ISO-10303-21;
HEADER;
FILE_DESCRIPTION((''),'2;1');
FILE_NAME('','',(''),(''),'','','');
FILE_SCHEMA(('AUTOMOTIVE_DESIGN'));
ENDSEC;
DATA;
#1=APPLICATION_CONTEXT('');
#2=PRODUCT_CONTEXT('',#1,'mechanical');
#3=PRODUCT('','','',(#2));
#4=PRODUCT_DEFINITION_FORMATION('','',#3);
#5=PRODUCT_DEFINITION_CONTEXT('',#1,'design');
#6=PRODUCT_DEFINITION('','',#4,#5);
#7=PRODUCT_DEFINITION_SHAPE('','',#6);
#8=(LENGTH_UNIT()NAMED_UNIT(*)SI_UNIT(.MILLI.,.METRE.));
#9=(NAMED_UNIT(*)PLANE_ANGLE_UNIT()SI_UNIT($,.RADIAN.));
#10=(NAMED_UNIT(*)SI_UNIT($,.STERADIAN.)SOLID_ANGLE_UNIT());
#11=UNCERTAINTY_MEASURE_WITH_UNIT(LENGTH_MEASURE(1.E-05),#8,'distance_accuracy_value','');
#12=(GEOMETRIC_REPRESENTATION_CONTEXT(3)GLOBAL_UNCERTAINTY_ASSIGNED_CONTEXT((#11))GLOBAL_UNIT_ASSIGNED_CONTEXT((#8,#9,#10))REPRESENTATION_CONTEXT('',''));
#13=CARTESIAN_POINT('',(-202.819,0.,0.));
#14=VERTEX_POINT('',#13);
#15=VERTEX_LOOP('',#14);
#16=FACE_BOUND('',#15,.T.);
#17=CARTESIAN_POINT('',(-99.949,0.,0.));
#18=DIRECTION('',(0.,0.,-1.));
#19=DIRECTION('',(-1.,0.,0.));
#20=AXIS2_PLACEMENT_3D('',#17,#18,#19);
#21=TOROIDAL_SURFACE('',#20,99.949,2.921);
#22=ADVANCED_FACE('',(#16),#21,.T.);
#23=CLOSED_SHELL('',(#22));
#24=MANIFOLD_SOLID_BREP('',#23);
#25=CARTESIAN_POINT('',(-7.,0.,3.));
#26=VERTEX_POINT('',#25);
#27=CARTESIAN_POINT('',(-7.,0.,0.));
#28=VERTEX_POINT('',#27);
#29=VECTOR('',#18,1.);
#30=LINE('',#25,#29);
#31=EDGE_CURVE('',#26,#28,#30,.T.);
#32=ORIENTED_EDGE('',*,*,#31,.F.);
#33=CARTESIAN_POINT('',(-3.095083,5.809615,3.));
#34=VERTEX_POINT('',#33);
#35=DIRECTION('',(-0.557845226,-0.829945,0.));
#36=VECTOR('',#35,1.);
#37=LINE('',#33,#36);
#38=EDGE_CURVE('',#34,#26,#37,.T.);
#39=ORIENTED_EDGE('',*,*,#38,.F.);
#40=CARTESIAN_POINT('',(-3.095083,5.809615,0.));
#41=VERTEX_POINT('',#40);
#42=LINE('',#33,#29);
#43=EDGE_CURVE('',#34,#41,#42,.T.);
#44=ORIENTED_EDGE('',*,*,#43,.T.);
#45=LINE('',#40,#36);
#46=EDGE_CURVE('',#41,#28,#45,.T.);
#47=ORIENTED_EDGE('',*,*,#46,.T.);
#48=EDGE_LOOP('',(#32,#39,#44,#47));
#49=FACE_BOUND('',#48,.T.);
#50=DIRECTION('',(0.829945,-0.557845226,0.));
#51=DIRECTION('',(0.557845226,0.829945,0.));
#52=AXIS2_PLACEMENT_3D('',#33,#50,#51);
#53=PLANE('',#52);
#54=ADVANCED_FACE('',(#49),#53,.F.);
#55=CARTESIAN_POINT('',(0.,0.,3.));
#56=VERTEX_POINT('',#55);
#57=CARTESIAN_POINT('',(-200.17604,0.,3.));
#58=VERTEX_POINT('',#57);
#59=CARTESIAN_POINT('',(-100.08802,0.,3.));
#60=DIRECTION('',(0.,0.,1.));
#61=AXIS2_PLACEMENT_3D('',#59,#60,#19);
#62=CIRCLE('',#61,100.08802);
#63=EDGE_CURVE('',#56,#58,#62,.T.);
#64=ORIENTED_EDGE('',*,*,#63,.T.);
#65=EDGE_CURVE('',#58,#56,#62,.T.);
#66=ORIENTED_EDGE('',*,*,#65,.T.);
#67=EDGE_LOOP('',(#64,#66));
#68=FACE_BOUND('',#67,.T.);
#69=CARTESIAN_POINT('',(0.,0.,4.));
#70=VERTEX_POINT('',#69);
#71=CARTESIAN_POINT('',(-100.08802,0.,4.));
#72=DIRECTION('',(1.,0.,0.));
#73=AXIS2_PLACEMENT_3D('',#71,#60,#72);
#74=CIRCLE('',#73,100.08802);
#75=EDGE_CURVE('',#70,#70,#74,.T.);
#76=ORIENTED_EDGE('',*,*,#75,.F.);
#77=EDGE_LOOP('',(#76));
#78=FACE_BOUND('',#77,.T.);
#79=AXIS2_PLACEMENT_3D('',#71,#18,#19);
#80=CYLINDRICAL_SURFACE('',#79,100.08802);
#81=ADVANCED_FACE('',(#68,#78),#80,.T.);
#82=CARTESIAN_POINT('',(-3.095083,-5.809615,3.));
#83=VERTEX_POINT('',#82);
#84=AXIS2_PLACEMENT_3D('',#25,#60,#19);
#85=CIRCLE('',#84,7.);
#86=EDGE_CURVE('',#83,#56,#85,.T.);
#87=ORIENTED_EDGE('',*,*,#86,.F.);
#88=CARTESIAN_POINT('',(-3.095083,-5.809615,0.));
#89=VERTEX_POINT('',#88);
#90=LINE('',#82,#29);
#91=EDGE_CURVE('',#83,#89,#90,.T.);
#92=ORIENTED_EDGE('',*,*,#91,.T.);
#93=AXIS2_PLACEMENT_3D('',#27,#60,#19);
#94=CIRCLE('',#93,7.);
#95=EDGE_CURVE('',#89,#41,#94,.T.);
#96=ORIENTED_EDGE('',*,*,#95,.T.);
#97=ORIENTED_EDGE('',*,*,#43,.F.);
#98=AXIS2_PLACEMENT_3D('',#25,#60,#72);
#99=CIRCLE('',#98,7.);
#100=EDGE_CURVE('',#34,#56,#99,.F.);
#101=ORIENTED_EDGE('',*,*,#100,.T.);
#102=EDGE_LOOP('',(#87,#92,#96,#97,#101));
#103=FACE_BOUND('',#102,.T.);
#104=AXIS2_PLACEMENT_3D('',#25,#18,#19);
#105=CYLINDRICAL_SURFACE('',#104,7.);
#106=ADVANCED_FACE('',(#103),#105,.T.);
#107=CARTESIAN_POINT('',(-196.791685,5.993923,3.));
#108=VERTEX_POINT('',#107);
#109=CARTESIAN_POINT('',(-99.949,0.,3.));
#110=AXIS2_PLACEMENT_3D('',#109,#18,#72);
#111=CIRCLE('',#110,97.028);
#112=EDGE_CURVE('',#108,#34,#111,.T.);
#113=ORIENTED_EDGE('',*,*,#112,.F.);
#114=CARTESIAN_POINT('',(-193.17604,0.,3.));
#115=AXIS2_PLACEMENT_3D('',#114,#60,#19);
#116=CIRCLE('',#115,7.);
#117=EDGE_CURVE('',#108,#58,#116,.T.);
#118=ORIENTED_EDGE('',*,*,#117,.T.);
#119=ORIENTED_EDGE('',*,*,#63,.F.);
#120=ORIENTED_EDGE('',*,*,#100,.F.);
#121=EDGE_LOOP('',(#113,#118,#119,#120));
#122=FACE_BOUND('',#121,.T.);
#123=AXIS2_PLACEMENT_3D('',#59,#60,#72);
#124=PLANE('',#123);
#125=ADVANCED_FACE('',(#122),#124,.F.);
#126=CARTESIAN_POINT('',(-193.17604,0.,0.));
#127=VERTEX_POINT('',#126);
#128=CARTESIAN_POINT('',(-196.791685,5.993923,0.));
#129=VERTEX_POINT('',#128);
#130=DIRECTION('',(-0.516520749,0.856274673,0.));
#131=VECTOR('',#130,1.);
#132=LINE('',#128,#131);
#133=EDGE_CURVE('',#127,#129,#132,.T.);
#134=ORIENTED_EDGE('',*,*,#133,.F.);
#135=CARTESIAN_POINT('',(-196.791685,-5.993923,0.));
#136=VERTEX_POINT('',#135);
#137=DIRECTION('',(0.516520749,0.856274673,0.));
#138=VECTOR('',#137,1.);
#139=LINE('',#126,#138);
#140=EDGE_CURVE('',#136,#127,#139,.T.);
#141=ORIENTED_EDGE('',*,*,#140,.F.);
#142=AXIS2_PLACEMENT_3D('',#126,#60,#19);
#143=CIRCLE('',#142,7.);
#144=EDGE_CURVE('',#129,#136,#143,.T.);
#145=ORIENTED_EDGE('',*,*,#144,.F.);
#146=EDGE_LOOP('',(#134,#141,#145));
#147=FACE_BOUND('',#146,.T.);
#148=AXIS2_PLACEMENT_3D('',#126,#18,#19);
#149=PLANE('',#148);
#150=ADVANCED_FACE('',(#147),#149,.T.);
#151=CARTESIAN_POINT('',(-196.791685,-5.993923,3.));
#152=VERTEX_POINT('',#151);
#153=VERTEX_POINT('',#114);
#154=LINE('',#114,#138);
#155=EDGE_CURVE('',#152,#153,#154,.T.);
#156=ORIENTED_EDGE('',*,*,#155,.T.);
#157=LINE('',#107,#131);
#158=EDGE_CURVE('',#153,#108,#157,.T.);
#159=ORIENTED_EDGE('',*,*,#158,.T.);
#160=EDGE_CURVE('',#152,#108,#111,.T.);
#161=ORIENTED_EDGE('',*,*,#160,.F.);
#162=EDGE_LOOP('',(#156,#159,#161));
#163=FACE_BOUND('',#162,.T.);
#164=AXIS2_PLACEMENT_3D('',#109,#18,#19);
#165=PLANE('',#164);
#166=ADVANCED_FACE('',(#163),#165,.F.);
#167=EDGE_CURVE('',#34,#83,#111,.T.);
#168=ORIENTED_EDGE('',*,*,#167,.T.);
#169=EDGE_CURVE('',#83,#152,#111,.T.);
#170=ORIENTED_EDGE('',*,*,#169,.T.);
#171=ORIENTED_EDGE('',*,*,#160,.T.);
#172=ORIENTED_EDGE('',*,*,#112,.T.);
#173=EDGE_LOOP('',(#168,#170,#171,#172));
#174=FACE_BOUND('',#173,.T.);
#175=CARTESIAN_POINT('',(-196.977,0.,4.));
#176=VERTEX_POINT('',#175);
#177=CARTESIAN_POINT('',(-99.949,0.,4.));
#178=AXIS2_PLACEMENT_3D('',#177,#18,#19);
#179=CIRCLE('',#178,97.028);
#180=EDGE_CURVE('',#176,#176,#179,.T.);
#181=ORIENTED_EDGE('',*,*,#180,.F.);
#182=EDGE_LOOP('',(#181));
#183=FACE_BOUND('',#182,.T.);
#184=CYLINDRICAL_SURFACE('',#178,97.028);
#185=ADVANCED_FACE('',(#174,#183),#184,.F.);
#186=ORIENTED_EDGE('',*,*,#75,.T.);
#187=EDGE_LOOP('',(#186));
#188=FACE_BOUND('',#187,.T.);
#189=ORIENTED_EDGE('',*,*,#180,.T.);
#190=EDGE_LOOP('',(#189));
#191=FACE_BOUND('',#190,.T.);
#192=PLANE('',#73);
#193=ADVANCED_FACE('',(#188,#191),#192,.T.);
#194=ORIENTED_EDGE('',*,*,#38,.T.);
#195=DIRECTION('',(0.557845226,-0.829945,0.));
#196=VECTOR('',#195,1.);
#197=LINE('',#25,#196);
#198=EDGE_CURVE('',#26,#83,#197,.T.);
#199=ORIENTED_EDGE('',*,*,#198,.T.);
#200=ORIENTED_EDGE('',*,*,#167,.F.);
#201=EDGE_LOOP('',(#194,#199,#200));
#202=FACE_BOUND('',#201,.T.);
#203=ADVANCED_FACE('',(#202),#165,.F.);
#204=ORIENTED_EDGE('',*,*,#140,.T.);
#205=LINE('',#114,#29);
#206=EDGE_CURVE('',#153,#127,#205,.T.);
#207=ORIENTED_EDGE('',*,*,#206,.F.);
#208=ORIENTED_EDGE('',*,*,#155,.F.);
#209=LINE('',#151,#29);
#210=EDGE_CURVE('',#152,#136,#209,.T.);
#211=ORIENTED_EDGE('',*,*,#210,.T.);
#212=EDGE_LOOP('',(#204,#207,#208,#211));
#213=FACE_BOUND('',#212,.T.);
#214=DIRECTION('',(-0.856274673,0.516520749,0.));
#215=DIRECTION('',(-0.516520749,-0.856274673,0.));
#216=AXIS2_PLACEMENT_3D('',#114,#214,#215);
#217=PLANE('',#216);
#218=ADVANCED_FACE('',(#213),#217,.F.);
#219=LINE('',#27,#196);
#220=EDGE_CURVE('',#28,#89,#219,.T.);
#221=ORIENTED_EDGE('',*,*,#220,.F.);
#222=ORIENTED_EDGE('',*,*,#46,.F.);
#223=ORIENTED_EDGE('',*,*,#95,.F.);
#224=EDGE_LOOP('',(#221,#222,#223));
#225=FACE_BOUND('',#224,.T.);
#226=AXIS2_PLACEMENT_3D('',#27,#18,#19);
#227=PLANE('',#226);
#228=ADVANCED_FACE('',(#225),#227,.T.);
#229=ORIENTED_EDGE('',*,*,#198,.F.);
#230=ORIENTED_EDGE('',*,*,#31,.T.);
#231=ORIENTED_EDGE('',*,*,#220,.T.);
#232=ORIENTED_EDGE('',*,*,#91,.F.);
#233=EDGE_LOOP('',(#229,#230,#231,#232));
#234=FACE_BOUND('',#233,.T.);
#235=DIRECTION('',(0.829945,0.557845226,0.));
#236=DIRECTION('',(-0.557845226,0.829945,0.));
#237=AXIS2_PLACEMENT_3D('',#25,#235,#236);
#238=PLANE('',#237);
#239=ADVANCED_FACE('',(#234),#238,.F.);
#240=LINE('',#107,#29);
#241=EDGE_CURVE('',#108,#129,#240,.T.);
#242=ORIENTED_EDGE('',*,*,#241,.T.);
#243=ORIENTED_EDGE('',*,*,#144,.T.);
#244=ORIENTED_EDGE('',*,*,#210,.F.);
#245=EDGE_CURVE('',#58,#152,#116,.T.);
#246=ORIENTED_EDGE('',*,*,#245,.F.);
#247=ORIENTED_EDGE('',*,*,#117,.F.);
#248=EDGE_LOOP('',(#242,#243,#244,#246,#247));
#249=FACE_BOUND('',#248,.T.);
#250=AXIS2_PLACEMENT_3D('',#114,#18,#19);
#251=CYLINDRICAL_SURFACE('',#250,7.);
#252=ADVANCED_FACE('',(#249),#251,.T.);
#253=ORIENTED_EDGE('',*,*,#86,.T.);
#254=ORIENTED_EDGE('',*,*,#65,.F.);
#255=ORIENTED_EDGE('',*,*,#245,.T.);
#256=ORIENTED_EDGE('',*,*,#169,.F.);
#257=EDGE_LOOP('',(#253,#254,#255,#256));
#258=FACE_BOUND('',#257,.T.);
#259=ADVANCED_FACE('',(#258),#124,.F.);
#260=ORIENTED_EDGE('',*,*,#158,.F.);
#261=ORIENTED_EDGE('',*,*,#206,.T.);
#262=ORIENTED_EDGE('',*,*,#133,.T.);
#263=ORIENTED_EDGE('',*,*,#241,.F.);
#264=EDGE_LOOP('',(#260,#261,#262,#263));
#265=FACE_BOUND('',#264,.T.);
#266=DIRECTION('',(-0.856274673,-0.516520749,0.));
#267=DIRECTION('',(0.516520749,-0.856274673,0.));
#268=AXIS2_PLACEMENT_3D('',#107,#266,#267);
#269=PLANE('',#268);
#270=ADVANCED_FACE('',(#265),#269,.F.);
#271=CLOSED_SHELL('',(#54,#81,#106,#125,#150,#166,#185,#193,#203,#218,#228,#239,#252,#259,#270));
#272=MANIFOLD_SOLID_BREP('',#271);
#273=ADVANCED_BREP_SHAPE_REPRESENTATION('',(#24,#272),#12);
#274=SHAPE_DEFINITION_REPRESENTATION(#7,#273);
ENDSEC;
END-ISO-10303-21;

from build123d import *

# Parameters (mm, degrees)
SKETCH1_R             = 2.921
BOSS_EXTRUDE1_DEPTH   = 3
BOSS_EXTRUDE1_2_DEPTH = 3
BOSS_EXTRUDE2_DEPTH   = 1
CUT_EXTRUDE1_DEPTH    = 1


with BuildPart() as part:
    # Sketch1 → Revolve1 (revolve)
    with BuildSketch(Plane(origin=(0, 0, 0), x_dir=(1, 0, 0), z_dir=(0, 1, 0)), mode=Mode.PRIVATE) as revolve1_sk:
        Circle(SKETCH1_R)
    revolve(revolve1_sk.sketch.rotate(Axis((-99.949, 0, -55.65970583), (0, 0, 1)), 180), axis=Axis((-99.949, 0, -55.65970583), (0, 0, 1)))


with BuildPart() as body_2:
    # Sketch2 → Boss-Extrude1 (new body)
    with BuildSketch(Plane.XY):
        with BuildLine():
            Line((-196.791685189, 5.993922712), (-193.176039945, 0))
            Line((-193.176039945, 0), (-196.791685189, -5.993922712))
            ThreePointArc((-196.791685189, -5.993922712), (-200.176039945, 0), (-196.791685189, 5.993922712))
        make_face()
    extrude(amount=BOSS_EXTRUDE1_DEPTH)



with BuildPart() as body_3:
    # Sketch2 → Boss-Extrude1 2 (new body)
    with BuildSketch(Plane.XY):
        with BuildLine():
            Line((-3.095083417, 5.809615003), (-7, 0))
            Line((-7, 0), (-3.095083417, -5.809615003))
            ThreePointArc((-3.095083417, -5.809615003), (0, 0), (-3.095083417, 5.809615003))
        make_face()
    extrude(amount=BOSS_EXTRUDE1_2_DEPTH)


with BuildPart() as body_2_1:
    add(body_2.part)

    add(body_3.part)  # Boss-Extrude2 merges body 3
    # Sketch5 → Boss-Extrude2 (add)
    with BuildSketch(Plane.XY.offset(3)):
        with BuildLine():
            ThreePointArc((-200.176039945, 0), (-100.088019973, 100.088019973), (0, 0))
            ThreePointArc((0, 0), (-100.088019973, -100.088019973), (-200.176039945, 0))
        make_face()
    extrude(amount=BOSS_EXTRUDE2_DEPTH)

    # Sketch8 → Cut-Extrude1 (cut)
    with BuildSketch(Plane(origin=(0, 0, 3), x_dir=(-1, 0, 0), z_dir=(0, 0, -1))):
        with BuildLine():
            ThreePointArc((2.921, 0), (99.949, 97.028), (196.977, 0))
            ThreePointArc((196.977, 0), (99.949, -97.028), (2.921, 0))
        make_face()
    extrude(amount=-CUT_EXTRUDE1_DEPTH, mode=Mode.SUBTRACT)


solid = Compound([part.part, body_2_1.part])
